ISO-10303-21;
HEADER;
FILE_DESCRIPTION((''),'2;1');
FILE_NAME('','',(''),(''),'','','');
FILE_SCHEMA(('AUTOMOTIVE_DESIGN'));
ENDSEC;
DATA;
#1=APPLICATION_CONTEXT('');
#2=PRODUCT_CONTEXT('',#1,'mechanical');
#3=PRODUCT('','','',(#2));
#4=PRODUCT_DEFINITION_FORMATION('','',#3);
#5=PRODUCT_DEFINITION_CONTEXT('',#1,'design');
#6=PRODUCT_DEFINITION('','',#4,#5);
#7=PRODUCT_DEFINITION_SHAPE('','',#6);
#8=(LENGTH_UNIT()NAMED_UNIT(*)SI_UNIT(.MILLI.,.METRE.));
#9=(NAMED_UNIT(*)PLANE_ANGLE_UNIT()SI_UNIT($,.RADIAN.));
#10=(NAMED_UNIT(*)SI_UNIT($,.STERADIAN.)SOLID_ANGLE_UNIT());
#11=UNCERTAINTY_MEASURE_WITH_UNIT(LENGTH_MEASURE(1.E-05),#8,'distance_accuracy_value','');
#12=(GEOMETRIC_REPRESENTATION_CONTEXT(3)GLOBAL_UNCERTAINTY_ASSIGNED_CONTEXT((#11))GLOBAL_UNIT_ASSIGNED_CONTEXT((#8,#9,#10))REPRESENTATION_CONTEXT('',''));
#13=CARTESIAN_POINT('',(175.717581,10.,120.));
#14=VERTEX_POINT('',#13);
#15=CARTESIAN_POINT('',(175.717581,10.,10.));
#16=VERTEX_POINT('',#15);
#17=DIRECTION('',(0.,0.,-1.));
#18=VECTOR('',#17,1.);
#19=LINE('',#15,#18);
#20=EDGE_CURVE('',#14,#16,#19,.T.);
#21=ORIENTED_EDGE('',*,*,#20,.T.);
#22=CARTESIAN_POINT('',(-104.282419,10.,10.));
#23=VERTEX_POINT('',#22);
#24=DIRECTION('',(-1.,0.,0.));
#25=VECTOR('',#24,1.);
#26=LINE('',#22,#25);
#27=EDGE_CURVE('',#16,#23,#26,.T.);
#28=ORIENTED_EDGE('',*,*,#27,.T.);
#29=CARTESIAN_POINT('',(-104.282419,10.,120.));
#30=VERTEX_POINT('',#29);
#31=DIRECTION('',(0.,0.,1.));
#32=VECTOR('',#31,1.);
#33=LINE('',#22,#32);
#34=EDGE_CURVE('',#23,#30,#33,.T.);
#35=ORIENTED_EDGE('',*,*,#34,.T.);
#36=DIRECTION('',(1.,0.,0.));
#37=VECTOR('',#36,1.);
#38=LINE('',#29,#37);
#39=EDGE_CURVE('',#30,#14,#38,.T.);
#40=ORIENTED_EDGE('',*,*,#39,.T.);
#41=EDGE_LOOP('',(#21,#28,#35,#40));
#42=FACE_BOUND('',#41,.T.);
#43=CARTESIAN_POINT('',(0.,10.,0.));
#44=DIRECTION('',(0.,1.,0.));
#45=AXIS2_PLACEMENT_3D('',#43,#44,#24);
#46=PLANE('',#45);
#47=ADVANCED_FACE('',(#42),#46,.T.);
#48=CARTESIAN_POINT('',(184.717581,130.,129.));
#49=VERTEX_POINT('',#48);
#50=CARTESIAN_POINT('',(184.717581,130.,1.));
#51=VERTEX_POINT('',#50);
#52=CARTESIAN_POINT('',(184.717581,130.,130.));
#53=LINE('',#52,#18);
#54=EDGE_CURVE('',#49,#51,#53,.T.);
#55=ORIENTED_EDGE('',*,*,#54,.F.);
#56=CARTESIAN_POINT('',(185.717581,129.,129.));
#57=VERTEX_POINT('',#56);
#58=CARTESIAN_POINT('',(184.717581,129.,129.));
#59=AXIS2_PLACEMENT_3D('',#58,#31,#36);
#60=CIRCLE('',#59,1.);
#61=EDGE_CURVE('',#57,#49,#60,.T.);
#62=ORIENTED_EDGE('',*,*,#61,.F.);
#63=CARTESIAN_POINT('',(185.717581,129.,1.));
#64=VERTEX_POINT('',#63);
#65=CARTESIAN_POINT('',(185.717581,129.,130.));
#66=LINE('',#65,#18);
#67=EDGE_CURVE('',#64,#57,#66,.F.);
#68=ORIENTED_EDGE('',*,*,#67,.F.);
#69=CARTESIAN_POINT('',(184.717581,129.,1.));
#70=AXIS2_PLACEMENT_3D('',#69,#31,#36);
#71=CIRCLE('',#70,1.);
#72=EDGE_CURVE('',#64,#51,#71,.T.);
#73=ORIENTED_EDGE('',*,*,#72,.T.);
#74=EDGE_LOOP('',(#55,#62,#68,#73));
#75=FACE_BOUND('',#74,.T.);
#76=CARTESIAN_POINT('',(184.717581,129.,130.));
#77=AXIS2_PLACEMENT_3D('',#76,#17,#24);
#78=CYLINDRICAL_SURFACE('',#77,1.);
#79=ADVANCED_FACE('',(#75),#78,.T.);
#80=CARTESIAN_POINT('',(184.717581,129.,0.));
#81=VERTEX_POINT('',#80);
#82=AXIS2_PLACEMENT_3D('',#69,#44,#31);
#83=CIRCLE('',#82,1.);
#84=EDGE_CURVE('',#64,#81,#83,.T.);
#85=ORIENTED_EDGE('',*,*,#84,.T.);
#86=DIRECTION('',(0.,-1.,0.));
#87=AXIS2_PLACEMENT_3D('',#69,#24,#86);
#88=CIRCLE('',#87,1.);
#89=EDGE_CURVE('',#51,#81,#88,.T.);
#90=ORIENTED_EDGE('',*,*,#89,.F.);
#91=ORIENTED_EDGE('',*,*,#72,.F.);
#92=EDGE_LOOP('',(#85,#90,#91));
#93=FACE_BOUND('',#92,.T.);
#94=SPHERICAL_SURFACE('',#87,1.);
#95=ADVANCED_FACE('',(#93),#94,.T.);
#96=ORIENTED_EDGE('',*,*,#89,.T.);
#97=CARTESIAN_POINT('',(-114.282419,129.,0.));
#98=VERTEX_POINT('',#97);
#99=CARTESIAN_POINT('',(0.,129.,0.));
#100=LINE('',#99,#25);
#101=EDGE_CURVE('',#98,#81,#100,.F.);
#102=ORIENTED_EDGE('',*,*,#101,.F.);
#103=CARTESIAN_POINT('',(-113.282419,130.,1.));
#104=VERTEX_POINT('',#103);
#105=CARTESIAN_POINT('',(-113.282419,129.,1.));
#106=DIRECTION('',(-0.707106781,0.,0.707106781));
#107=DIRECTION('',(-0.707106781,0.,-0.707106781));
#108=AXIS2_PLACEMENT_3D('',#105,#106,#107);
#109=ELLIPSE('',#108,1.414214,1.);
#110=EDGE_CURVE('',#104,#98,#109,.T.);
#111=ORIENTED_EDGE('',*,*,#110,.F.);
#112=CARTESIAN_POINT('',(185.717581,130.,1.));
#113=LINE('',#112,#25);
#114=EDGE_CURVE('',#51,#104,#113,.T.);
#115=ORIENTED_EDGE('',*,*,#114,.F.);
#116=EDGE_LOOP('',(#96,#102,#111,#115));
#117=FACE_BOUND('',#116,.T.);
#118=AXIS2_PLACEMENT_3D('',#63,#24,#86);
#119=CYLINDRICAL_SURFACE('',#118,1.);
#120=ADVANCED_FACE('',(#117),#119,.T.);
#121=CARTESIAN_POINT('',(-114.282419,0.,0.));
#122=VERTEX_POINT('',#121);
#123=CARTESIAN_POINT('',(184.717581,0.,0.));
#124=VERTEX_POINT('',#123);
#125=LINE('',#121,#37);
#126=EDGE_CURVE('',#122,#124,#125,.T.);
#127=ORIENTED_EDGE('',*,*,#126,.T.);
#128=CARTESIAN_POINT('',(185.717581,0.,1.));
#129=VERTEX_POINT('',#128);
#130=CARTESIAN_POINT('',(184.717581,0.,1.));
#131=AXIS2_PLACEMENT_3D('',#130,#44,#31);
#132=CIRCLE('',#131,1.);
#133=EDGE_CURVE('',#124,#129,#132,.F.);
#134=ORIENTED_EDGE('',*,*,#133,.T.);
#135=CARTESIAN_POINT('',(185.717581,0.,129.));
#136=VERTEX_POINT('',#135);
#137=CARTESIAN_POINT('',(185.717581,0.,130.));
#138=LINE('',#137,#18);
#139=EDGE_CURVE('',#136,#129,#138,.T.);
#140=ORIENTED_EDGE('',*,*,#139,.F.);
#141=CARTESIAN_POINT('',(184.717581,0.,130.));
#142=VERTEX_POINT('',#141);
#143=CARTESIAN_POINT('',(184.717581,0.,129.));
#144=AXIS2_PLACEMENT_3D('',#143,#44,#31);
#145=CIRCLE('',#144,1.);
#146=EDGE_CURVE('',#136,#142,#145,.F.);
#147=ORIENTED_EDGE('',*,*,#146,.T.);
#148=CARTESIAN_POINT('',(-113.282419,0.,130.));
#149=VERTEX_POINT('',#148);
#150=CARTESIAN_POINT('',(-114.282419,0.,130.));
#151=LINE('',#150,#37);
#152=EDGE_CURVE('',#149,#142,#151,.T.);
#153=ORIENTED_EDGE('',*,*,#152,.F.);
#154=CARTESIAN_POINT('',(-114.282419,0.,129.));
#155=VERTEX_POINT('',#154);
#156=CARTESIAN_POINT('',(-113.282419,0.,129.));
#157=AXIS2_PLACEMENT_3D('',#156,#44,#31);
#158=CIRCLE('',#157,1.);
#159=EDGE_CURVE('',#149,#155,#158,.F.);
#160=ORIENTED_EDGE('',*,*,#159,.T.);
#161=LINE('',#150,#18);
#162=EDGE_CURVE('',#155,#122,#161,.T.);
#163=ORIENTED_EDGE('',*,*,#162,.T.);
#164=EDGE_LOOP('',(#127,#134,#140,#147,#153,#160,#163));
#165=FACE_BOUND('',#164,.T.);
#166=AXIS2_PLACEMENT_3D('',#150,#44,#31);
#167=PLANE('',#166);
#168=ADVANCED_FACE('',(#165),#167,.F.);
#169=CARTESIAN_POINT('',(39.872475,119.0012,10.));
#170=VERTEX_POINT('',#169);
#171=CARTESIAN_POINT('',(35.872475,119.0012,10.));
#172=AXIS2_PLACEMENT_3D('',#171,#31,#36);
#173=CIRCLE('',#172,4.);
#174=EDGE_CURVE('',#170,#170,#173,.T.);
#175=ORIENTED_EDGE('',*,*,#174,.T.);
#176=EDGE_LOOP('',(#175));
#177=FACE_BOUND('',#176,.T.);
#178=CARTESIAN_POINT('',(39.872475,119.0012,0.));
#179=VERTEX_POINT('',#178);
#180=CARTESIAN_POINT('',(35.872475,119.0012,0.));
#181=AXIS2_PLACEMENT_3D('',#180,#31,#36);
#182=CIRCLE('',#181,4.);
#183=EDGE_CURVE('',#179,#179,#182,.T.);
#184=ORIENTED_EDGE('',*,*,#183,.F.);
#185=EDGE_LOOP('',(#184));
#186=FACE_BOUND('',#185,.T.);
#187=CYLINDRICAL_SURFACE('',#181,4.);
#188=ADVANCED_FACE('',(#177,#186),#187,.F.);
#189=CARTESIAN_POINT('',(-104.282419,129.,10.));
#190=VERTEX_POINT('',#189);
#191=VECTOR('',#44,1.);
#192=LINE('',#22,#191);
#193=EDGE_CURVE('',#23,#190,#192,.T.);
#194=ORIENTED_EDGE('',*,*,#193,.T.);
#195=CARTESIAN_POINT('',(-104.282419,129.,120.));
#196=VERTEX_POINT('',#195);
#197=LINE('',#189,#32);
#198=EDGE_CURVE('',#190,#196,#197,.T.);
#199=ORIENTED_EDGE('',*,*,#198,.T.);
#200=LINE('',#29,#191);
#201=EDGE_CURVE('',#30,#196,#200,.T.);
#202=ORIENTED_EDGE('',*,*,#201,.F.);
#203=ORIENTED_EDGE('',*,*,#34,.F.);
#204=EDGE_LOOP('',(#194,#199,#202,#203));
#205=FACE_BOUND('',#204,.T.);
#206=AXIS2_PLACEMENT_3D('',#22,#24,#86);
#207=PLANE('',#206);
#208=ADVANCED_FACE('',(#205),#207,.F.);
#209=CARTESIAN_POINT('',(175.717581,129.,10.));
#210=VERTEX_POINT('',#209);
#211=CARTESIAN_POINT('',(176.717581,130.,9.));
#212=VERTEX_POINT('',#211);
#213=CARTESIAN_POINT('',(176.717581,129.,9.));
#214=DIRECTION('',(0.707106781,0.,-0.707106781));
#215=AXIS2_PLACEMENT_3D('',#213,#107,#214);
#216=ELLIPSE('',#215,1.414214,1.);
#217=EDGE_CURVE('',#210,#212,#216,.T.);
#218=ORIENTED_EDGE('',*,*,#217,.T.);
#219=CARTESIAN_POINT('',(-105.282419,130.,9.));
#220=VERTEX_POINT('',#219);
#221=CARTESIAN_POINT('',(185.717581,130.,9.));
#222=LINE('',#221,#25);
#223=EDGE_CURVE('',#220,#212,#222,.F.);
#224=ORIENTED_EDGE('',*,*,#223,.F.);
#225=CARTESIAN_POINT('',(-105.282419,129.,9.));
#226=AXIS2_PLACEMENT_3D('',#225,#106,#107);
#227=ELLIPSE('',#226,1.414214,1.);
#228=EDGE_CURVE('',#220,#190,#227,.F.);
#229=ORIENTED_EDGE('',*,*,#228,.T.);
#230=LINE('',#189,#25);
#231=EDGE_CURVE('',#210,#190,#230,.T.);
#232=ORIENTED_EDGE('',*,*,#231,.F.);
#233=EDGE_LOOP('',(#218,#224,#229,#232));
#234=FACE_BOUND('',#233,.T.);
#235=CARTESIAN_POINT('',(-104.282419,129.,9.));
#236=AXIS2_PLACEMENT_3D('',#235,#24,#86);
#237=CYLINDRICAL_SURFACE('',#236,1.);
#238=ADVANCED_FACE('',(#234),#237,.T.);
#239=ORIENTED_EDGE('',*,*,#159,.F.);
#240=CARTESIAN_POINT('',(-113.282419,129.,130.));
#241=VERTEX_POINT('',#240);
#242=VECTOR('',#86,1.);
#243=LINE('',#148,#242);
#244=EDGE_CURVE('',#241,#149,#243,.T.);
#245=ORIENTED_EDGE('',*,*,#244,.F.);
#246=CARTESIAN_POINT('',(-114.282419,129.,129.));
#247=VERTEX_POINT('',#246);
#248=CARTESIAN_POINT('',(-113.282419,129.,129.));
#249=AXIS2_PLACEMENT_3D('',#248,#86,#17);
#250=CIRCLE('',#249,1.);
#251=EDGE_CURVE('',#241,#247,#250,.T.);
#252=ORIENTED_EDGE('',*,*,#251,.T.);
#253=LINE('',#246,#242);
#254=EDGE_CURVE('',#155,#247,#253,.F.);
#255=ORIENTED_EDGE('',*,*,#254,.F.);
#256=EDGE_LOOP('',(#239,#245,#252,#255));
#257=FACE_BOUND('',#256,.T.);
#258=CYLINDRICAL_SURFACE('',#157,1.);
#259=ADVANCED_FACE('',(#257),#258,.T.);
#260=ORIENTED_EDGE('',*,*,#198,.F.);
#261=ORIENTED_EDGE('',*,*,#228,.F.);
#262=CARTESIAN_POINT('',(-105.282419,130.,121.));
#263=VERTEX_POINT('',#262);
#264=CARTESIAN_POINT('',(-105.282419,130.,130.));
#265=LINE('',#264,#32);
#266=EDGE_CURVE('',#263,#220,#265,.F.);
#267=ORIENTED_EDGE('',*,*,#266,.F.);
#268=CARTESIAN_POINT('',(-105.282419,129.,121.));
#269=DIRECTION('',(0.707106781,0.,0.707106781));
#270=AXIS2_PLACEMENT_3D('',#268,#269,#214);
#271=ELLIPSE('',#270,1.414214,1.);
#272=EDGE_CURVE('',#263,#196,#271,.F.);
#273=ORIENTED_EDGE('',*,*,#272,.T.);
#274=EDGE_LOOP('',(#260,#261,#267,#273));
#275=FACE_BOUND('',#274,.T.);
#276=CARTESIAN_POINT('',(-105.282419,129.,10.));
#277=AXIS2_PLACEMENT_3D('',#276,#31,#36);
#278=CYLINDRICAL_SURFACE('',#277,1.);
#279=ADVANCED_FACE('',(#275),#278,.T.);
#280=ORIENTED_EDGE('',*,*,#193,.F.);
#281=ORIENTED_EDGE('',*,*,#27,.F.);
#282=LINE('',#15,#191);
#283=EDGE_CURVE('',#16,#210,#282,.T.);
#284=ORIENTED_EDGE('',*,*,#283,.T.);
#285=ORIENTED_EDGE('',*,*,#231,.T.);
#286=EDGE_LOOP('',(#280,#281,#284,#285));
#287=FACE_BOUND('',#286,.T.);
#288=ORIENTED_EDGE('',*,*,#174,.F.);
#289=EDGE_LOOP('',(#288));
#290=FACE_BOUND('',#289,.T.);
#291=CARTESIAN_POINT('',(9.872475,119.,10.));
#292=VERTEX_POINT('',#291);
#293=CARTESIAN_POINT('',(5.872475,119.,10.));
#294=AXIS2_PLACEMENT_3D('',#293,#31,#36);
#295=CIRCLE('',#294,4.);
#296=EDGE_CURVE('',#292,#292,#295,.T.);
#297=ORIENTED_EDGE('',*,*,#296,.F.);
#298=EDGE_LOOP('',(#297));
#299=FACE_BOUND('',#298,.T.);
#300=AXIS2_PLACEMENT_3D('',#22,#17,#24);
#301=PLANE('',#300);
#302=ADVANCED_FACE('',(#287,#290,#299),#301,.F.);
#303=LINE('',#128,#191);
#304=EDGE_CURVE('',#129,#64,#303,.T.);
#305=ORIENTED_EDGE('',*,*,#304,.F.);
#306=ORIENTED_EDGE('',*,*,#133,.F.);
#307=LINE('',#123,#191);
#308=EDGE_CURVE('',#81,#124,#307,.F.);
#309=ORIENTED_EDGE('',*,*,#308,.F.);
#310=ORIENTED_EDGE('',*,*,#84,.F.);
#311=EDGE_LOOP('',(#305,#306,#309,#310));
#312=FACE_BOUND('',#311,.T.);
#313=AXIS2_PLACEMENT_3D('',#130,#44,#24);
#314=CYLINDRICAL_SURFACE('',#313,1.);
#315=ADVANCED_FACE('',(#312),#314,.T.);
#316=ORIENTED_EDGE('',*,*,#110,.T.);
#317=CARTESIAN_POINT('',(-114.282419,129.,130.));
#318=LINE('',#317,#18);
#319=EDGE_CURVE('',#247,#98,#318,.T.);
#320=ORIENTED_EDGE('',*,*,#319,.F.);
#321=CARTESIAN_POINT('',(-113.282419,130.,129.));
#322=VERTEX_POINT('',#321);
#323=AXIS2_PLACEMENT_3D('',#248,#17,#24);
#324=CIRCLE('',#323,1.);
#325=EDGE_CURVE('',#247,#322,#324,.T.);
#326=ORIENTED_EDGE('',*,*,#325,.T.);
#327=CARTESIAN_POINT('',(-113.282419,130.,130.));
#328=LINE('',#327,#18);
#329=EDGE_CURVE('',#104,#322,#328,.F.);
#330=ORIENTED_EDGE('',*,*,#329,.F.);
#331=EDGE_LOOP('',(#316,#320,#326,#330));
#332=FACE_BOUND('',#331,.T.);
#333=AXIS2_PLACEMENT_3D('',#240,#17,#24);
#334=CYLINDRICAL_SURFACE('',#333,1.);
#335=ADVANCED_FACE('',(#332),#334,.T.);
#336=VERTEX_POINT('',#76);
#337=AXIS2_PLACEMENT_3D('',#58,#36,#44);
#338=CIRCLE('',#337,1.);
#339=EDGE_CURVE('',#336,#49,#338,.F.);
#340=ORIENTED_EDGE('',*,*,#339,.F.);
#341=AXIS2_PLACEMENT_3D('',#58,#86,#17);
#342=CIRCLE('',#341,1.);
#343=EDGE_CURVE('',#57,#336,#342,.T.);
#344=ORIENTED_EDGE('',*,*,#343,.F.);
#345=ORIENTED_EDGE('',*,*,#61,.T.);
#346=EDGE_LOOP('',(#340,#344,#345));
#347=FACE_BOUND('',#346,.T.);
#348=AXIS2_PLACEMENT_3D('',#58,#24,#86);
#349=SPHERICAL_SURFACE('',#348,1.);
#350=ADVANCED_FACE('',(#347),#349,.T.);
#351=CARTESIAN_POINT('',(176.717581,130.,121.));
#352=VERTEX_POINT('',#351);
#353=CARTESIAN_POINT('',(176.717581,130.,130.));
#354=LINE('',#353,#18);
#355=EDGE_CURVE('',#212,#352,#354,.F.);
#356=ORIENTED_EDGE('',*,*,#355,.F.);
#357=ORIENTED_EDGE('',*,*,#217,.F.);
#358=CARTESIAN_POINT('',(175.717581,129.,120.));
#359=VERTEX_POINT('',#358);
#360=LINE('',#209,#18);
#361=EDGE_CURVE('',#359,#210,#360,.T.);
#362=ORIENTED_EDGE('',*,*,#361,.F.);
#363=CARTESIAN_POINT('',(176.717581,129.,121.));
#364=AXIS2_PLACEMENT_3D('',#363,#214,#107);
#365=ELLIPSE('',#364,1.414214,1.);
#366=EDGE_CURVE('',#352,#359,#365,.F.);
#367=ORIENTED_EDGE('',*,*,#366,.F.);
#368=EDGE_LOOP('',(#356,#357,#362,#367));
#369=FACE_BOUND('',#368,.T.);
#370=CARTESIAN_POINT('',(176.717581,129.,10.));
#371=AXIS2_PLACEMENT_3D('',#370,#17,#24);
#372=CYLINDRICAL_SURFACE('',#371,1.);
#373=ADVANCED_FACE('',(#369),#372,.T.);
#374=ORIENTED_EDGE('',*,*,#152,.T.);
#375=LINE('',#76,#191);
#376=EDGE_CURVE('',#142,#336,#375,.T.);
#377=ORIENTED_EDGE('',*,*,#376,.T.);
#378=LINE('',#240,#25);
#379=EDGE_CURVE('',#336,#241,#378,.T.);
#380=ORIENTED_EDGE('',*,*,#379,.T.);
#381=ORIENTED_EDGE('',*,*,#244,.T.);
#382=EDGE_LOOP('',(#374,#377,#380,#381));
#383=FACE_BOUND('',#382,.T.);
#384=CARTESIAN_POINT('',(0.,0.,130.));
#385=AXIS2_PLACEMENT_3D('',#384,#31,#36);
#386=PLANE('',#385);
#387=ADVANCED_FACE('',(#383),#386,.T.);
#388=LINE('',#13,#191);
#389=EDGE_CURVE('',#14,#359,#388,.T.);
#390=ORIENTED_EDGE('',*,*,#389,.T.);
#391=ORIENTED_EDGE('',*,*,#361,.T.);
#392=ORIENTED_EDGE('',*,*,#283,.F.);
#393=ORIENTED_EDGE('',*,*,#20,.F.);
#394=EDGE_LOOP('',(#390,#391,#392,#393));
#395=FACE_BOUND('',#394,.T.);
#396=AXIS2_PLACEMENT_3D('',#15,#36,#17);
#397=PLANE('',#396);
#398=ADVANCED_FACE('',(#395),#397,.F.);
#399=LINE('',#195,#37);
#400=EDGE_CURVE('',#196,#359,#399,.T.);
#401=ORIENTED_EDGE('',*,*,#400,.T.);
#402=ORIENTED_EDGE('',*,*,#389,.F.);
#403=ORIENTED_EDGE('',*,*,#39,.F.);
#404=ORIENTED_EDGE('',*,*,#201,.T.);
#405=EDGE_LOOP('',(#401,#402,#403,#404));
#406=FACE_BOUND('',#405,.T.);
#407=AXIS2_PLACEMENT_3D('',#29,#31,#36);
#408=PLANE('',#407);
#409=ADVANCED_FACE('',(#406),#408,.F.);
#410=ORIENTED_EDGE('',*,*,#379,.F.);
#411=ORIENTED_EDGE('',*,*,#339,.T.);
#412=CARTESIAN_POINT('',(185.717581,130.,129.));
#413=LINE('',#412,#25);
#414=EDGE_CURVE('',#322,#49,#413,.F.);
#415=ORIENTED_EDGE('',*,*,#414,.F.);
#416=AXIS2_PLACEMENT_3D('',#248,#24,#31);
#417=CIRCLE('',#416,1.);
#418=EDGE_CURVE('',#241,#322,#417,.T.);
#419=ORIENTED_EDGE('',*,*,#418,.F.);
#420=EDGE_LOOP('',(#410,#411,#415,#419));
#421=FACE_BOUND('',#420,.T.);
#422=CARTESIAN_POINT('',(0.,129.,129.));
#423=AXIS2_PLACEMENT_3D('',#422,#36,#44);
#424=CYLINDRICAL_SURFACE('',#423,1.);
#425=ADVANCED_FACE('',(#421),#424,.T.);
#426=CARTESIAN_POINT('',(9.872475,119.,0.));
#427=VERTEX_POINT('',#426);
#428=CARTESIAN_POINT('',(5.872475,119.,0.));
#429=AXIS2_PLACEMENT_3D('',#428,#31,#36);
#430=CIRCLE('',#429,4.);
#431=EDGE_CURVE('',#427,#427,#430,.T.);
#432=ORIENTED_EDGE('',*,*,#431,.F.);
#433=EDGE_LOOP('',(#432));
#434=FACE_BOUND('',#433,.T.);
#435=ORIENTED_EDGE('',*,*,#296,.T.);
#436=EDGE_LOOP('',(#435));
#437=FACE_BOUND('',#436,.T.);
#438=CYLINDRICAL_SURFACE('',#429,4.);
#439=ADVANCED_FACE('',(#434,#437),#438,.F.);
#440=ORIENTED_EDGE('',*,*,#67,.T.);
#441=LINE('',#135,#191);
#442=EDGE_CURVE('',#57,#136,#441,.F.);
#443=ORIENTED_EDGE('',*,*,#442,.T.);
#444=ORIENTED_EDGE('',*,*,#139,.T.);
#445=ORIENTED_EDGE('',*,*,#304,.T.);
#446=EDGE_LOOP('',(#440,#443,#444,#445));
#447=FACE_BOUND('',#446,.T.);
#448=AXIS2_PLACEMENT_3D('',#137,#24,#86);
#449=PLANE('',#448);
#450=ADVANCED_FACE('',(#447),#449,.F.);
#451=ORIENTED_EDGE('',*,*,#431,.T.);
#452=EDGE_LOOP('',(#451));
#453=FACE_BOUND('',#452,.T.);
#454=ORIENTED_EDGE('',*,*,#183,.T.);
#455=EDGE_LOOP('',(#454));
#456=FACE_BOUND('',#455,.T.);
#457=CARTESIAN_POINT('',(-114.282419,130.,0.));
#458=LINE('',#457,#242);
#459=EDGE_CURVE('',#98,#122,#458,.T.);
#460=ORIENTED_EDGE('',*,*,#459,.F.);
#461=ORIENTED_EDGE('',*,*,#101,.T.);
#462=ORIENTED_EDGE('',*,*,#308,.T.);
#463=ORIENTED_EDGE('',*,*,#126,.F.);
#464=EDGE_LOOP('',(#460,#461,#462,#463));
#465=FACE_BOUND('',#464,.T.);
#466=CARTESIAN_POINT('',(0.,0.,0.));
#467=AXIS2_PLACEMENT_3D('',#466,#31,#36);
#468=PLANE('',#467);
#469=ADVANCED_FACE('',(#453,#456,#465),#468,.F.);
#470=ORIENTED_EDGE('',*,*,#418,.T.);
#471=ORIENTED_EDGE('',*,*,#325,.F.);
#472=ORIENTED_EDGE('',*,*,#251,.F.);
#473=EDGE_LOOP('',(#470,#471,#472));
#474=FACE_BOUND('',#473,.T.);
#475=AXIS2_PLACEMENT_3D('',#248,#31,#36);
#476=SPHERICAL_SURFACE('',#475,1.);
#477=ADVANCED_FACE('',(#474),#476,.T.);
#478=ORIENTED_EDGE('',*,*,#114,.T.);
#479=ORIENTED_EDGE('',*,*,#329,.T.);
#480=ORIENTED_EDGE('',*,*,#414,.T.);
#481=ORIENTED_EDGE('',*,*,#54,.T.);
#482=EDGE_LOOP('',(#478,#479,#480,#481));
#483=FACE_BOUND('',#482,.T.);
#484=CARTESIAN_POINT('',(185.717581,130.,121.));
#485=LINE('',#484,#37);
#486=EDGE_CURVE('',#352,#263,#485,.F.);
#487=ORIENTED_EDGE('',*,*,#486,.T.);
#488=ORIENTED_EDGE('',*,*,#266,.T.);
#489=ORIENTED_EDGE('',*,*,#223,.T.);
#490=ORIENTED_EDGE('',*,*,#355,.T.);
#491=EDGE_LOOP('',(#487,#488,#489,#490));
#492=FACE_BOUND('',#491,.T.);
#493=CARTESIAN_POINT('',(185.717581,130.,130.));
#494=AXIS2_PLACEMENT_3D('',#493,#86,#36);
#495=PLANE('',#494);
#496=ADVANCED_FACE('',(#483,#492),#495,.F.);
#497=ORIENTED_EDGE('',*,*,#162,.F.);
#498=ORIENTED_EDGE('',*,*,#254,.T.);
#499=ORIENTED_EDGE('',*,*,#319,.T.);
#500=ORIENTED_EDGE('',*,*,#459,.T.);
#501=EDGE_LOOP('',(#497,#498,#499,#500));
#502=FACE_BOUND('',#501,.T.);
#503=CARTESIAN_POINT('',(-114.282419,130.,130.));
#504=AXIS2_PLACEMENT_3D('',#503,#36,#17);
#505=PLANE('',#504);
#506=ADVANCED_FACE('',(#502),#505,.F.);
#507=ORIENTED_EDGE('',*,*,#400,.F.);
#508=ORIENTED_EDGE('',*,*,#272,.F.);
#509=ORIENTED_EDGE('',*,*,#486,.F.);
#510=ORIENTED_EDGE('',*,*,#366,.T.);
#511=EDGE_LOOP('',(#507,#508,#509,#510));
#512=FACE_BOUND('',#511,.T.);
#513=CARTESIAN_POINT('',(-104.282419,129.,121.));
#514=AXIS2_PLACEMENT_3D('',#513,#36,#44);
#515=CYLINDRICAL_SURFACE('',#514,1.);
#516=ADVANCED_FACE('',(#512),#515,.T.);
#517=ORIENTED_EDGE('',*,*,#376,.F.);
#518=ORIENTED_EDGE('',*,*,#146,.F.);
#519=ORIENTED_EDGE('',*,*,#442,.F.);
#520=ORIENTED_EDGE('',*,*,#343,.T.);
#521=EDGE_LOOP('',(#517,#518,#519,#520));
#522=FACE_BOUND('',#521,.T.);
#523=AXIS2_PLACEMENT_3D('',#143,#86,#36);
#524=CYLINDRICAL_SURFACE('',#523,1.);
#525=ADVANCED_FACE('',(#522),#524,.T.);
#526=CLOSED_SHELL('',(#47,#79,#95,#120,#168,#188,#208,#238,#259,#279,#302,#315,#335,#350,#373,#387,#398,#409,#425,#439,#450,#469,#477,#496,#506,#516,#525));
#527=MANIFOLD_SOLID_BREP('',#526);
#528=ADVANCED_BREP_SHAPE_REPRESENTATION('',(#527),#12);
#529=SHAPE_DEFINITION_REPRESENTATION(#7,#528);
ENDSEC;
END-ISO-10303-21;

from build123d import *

# Parameters (mm, degrees)
ESQUISSE1_W             = 300
ESQUISSE1_H             = 130
BOSS_EXTRU_2_DEPTH      = 130
ESQUISSE6_W             = 280
ESQUISSE6_H             = 110
ENL_V_MAT_EXTRU_1_DEPTH = 120
CONG_2_R                = 1
CONG_3_R                = 1
CONG_4_R                = 1
CONG_5_R                = 1
CONG_6_R                = 1
CONG_7_R                = 1
ESQUISSE7_R             = 4
ENL_V_MAT_EXTRU_2_DEPTH = 257.497602135


with BuildPart() as part:
    # Esquisse1 → Boss.-Extru.2 (new body)
    with BuildSketch(Plane.XY):
        with Locations((35.717581023, 65)):
            Rectangle(ESQUISSE1_W, ESQUISSE1_H)
    extrude(amount=BOSS_EXTRU_2_DEPTH)

    # Esquisse6 → Enlèv. mat.-Extru.1 (cut)
    with BuildSketch(Plane(origin=(0, 130, 0), x_dir=(1, 0, 0), z_dir=(0, 1, 0))):
        with Locations((35.717581023, -65)):
            Rectangle(ESQUISSE6_W, ESQUISSE6_H)
    extrude(amount=-ENL_V_MAT_EXTRU_1_DEPTH, mode=Mode.SUBTRACT)

    # Congé2
    cong_2_edges = [part.edges().sort_by_distance(p)[0] for p in [
        (-104.282418977, 130, 65),
        (35.717581023, 130, 10),
    ]]
    fillet(cong_2_edges, radius=CONG_2_R)

    # Congé3
    cong_3_edges = [part.edges().sort_by_distance(p)[0] for p in [
        (35.217581023, 130, 120),
    ]]
    fillet(cong_3_edges, radius=CONG_3_R)

    # Congé4
    cong_4_edges = [part.edges().sort_by_distance(p)[0] for p in [
        (175.717581023, 130, 65),
    ]]
    fillet(cong_4_edges, radius=CONG_4_R)

    # Congé5
    cong_5_edges = [part.edges().sort_by_distance(p)[0] for p in [
        (35.717581023, 130, 0),
        (-114.282418977, 130, 65),
    ]]
    fillet(cong_5_edges, radius=CONG_5_R)

    # Congé6
    cong_6_edges = [part.edges().sort_by_distance(p)[0] for p in [
        (36.217581023, 130, 130),
        (-114.282418977, 64.5, 130),
        (-113.989525758, 129.707106781, 130),
    ]]
    fillet(cong_6_edges, radius=CONG_6_R)

    # Congé7
    cong_7_edges = [part.edges().sort_by_distance(p)[0] for p in [
        (185.717581023, 64.5, 130),
        (185.717581023, 64.5, 0),
        (185.717581023, 129.707106781, 0.292893219),
        (185.717581023, 130, 65),
        (185.717581023, 129.707106781, 129.707106781),
    ]]
    fillet(cong_7_edges, radius=CONG_7_R)

    # Esquisse7 → Enlèv. mat.-Extru.2 (cut, through all)
    with BuildSketch(Plane.XY.offset(10)):
        with Locations((5.872475368, 119)):
            Circle(ESQUISSE7_R)
        with Locations((35.872475344, 119.001199684)):
            Circle(ESQUISSE7_R)
    extrude(amount=-ENL_V_MAT_EXTRU_2_DEPTH, mode=Mode.SUBTRACT)


solid = part.part
